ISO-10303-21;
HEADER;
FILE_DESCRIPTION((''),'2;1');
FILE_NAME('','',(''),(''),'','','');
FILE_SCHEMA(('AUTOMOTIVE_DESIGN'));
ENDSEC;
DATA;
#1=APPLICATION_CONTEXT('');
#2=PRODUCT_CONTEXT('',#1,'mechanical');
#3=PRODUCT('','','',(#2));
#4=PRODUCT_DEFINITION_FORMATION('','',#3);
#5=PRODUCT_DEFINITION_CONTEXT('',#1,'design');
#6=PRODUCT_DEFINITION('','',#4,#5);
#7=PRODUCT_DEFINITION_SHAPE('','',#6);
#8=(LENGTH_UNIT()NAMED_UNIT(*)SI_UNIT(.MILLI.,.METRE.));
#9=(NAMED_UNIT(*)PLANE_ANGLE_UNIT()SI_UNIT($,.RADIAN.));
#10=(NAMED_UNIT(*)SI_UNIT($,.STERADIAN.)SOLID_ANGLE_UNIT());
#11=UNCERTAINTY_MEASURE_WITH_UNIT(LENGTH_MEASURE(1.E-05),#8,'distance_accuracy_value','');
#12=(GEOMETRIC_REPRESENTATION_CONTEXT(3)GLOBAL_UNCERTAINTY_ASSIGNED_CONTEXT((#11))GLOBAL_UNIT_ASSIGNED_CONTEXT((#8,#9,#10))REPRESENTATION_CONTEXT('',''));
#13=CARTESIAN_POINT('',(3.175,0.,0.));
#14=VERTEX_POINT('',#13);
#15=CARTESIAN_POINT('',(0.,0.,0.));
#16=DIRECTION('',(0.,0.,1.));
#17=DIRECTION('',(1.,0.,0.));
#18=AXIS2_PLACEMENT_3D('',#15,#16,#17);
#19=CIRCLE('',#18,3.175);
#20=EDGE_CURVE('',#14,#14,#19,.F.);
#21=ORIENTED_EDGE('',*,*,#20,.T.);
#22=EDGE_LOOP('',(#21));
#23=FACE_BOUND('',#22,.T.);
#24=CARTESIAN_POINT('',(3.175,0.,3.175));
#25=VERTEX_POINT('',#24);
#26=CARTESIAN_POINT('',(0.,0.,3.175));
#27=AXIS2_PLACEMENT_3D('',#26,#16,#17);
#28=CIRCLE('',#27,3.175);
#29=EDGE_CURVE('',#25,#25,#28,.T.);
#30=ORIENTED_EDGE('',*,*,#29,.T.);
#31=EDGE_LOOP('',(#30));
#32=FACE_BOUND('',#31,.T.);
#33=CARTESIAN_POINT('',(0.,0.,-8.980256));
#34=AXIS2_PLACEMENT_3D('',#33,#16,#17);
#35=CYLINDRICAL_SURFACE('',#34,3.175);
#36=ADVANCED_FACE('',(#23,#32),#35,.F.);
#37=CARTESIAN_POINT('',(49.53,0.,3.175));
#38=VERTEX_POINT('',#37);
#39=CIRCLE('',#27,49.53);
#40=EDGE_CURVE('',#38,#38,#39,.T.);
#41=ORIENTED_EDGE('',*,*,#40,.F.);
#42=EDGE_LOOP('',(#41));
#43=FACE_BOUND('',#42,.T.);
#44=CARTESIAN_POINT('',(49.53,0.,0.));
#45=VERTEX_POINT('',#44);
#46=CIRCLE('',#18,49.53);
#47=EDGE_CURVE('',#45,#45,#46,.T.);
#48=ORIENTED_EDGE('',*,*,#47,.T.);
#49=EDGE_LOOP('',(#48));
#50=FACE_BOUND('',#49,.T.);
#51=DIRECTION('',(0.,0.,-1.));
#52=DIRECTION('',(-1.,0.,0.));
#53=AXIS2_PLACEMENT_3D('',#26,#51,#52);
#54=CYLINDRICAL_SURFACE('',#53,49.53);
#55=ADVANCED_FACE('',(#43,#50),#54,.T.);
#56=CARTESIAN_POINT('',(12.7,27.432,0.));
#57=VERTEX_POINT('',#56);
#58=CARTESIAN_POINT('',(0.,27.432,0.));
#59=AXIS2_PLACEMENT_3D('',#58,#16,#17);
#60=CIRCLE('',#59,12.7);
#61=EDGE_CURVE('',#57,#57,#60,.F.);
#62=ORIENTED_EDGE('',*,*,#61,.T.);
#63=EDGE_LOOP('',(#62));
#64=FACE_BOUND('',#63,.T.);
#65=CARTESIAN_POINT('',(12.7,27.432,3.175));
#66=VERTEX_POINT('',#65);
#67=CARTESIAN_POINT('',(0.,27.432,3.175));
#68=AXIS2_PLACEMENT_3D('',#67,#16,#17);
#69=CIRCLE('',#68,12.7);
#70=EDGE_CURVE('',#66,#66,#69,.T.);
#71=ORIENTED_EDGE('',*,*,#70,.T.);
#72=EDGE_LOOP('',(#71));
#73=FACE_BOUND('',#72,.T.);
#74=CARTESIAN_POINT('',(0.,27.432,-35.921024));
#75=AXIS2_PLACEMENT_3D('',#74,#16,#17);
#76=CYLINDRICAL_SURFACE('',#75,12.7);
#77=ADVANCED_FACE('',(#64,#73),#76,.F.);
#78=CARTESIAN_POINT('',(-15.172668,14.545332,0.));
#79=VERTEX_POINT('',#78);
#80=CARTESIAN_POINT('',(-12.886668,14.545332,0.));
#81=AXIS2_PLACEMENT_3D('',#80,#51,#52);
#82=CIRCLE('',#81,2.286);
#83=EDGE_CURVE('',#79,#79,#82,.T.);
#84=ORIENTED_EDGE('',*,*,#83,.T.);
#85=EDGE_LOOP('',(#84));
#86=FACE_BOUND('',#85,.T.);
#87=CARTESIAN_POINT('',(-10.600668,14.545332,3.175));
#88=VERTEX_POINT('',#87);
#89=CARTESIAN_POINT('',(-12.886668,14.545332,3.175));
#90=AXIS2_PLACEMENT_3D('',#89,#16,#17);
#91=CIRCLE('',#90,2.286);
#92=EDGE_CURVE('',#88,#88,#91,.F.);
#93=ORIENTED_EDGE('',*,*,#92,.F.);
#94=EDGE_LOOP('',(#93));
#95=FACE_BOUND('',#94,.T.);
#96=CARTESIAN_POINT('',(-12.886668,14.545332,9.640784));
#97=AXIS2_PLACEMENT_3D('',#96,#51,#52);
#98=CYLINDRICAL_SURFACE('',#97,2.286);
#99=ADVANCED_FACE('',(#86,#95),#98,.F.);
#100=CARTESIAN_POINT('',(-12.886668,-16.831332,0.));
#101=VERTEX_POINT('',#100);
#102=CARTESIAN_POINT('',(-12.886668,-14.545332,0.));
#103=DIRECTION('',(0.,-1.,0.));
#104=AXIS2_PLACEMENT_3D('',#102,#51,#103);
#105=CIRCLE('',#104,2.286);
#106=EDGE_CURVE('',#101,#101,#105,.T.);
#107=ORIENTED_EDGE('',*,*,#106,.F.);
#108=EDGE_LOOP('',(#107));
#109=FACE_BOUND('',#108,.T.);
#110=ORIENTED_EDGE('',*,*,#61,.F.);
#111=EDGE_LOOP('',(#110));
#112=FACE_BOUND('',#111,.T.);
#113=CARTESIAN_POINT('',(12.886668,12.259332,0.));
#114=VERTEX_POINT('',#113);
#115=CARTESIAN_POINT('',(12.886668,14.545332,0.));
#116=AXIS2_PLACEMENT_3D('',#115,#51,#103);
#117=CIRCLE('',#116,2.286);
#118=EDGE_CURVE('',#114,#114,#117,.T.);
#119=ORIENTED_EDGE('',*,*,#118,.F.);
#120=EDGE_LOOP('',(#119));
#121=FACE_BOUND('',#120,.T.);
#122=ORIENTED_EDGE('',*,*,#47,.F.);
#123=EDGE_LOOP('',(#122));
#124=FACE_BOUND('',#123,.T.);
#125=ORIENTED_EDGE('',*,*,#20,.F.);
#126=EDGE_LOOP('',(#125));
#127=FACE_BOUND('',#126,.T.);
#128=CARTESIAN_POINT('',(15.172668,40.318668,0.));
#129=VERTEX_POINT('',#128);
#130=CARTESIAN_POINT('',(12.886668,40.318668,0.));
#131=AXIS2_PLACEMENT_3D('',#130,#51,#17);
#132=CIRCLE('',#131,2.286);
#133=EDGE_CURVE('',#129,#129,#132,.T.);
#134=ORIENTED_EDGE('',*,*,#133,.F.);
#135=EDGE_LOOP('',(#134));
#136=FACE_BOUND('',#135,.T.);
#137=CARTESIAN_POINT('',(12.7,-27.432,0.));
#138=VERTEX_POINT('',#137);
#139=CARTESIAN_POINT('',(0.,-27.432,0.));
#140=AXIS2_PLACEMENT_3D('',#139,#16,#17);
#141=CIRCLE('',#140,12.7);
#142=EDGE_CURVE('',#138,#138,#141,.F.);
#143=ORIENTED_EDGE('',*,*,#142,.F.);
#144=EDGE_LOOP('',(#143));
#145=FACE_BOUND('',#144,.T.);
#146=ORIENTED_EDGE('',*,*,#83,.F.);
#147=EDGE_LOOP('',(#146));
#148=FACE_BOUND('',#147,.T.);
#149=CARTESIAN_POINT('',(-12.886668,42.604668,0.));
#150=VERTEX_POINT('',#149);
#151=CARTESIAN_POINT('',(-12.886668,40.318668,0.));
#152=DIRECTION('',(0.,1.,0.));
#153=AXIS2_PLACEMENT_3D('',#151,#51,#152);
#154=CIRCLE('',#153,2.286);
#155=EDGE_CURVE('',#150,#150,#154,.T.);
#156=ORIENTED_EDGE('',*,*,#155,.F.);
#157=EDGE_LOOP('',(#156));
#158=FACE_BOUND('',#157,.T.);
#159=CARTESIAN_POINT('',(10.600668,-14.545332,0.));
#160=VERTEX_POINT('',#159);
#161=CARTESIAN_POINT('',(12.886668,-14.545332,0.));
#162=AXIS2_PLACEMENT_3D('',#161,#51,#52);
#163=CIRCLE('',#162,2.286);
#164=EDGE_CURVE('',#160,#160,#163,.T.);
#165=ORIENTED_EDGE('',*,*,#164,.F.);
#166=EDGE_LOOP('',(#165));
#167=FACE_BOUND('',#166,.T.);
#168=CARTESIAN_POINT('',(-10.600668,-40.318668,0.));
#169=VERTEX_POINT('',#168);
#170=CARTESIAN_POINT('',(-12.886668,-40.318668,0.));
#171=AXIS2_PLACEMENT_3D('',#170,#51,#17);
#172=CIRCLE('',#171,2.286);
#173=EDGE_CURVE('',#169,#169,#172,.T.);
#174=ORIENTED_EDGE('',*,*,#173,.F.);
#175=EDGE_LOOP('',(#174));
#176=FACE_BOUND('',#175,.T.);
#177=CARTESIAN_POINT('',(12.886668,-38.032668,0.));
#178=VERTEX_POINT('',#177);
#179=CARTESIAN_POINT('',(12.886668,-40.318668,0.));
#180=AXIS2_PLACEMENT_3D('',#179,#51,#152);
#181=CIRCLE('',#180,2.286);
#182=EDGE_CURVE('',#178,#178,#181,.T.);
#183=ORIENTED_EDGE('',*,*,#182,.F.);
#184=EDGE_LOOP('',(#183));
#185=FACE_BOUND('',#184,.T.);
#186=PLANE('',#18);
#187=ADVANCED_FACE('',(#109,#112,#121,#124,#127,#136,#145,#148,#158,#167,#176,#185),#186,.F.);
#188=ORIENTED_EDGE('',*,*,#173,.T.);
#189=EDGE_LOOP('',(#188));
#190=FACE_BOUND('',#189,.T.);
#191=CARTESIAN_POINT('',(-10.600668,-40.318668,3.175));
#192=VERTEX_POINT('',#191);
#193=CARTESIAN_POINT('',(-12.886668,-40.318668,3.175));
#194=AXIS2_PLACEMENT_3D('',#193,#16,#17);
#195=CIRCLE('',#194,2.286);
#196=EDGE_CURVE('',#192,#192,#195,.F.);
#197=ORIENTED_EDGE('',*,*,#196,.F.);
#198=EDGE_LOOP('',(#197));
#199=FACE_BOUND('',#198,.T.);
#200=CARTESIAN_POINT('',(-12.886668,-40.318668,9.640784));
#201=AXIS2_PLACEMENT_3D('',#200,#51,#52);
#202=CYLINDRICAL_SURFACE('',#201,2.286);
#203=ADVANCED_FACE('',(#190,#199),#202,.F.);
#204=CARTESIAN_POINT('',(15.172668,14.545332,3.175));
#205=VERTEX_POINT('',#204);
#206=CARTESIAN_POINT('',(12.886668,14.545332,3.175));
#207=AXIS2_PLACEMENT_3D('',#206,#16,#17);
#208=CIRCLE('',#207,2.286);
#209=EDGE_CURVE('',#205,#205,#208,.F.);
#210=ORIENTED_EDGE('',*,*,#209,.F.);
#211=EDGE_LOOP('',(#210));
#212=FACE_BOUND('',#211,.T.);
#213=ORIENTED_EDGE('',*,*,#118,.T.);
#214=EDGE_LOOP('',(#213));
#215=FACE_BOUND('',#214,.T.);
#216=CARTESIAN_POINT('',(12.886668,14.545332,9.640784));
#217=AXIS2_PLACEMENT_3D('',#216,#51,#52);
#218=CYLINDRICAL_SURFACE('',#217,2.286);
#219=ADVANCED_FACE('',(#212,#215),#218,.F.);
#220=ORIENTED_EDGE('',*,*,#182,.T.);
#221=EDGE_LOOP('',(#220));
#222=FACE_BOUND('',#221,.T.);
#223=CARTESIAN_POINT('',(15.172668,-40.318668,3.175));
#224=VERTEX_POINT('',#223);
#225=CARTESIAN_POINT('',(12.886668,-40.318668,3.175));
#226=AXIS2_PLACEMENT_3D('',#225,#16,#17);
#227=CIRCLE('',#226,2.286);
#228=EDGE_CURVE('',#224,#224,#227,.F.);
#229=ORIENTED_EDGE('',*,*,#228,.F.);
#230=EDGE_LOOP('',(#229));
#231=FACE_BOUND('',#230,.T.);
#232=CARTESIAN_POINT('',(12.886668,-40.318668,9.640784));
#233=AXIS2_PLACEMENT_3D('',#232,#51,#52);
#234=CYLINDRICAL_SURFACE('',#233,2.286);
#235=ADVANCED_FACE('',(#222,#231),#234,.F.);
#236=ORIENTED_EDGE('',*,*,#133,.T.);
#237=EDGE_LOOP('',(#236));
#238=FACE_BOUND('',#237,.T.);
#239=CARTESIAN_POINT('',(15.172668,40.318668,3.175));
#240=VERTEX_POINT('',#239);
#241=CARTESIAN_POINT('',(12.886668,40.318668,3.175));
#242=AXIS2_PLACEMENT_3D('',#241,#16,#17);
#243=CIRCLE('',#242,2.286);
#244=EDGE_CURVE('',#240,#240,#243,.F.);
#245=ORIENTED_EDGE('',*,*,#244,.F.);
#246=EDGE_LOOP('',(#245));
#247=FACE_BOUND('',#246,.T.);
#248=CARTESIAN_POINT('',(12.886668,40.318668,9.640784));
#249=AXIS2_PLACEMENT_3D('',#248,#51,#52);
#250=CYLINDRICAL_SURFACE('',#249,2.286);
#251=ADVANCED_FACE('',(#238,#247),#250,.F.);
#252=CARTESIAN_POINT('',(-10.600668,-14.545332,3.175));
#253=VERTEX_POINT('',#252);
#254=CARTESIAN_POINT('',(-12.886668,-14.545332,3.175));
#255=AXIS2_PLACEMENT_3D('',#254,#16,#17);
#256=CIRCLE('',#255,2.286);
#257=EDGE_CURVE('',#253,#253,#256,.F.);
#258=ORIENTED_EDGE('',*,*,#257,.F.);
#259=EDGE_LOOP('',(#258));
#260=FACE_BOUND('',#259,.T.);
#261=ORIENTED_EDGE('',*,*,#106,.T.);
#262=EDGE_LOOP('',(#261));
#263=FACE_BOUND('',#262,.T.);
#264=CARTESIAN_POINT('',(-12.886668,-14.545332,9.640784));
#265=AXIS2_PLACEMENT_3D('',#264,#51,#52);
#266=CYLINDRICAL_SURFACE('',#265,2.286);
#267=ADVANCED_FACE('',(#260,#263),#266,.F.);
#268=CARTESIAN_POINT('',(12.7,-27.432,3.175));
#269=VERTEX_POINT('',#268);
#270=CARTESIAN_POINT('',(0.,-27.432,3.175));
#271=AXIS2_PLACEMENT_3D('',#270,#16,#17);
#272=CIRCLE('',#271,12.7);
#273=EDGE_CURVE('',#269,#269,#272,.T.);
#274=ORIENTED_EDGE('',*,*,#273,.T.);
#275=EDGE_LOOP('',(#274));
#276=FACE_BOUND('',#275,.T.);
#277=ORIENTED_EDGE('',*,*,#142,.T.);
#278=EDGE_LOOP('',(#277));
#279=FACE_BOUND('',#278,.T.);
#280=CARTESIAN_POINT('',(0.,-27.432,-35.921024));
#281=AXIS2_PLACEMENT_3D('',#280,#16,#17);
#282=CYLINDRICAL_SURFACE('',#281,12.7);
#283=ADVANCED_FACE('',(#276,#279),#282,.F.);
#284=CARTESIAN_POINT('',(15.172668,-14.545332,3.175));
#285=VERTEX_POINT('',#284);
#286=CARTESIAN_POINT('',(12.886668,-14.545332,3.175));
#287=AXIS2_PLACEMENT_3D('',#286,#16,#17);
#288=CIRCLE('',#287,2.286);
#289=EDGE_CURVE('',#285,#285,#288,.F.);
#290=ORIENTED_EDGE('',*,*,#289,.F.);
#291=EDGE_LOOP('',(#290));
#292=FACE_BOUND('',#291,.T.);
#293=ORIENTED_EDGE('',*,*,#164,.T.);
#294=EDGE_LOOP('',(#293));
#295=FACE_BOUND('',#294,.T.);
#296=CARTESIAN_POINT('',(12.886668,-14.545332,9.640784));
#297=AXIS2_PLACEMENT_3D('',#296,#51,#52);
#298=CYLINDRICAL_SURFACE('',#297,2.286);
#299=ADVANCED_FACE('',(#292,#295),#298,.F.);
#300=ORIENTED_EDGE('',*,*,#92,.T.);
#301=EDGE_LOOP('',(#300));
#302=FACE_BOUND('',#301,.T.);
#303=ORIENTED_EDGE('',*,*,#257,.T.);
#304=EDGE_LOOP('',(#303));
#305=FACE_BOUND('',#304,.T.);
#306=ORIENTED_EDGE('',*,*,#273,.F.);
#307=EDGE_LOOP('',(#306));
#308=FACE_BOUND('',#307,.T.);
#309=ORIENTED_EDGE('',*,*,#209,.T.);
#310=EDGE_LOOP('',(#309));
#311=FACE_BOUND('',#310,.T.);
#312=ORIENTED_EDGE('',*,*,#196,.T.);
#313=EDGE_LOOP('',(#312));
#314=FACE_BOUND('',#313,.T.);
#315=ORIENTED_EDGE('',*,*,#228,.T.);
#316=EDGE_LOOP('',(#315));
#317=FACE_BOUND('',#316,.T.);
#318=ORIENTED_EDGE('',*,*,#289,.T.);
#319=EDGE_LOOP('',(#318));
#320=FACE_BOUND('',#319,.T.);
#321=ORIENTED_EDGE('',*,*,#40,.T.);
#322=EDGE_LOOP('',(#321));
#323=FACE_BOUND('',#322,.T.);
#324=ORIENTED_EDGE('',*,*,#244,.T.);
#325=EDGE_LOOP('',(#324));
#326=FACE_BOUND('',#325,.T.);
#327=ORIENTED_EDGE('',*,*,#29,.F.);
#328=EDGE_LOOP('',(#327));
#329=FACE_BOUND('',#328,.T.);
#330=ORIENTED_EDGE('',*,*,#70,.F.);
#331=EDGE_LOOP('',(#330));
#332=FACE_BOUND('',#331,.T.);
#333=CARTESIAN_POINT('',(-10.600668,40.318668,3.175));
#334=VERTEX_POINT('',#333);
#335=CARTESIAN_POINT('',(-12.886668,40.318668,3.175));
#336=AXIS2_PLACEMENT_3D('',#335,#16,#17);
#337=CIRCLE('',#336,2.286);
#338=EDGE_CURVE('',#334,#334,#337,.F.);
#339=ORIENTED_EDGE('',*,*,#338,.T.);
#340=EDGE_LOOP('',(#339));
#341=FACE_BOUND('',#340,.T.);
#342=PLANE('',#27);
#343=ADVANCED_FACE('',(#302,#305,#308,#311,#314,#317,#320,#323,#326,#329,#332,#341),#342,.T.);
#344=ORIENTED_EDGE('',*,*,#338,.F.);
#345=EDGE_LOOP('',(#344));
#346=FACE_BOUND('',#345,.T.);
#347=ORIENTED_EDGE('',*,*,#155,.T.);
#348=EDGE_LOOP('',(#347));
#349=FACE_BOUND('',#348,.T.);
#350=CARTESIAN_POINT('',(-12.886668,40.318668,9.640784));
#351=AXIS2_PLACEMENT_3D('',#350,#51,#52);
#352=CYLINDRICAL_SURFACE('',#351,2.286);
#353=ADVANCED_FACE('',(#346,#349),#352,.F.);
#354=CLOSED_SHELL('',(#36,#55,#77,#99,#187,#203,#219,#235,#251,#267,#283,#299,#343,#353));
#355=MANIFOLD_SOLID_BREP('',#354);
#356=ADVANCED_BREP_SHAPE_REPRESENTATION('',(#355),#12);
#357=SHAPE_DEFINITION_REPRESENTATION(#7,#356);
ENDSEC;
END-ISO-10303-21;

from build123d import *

# Parameters (mm, degrees)
SKETCH1_R           = 49.53
BOSS_EXTRUDE1_DEPTH = 3.175
SKETCH2_R           = 12.7
CUT_EXTRUDE1_DEPTH  = 3.175
SKETCH3_R           = 3.175
CUT_EXTRUDE2_DEPTH  = 3.175
SKETCH5_R           = 2.286
CUT_EXTRUDE3_DEPTH  = 3.175
CIRPATTERN1_COUNT   = 4
SKETCH6_R           = 2.286
CUT_EXTRUDE4_DEPTH  = 3.175
CIRPATTERN2_COUNT   = 4


with BuildPart() as part:
    # Sketch1 → Boss-Extrude1 (new body)
    with BuildSketch(Plane.XY):
        Circle(SKETCH1_R)
    extrude(amount=BOSS_EXTRUDE1_DEPTH)

    # Sketch2 → Cut-Extrude1 (cut)
    with BuildSketch(Plane.XY.offset(3.175)):
        with Locations((0, 27.432)):
            Circle(SKETCH2_R)
        with Locations((0, -27.432)):
            Circle(SKETCH2_R)
    extrude(amount=-CUT_EXTRUDE1_DEPTH, mode=Mode.SUBTRACT)

    # Sketch3 → Cut-Extrude2 (cut)
    with BuildSketch(Plane.XY.offset(3.175)):
        Circle(SKETCH3_R)
    extrude(amount=-CUT_EXTRUDE2_DEPTH, mode=Mode.SUBTRACT)

    # Sketch5 → Cut-Extrude3 (cut)
    with BuildSketch(Plane(origin=(0, 0, 0), x_dir=(-1, 0, 0), z_dir=(0, 0, -1))):
        with Locations((-12.886667534, -14.545332466)):
            Circle(SKETCH5_R)
    cut_extrude3 = extrude(amount=-CUT_EXTRUDE3_DEPTH, mode=Mode.SUBTRACT)

    # CirPattern1: Cut-Extrude3 ×4 about axis
    cirpattern1_axis = Axis((0, -27.432, 0), (0, 0, 1))
    for i in range(1, CIRPATTERN1_COUNT):
        add(cut_extrude3.rotate(cirpattern1_axis, i * 360 / CIRPATTERN1_COUNT), mode=Mode.SUBTRACT)

    # Sketch6 → Cut-Extrude4 (cut)
    with BuildSketch(Plane(origin=(0, 0, 0), x_dir=(-1, 0, 0), z_dir=(0, 0, -1))):
        with Locations((12.886667534, 14.545332466)):
            Circle(SKETCH6_R)
    cut_extrude4 = extrude(amount=-CUT_EXTRUDE4_DEPTH, mode=Mode.SUBTRACT)

    # CirPattern2: Cut-Extrude4 ×4 about axis
    cirpattern2_axis = Axis((0, 27.432, 0), (0, 0, 1))
    for i in range(1, CIRPATTERN2_COUNT):
        add(cut_extrude4.rotate(cirpattern2_axis, i * 360 / CIRPATTERN2_COUNT), mode=Mode.SUBTRACT)


solid = part.part
